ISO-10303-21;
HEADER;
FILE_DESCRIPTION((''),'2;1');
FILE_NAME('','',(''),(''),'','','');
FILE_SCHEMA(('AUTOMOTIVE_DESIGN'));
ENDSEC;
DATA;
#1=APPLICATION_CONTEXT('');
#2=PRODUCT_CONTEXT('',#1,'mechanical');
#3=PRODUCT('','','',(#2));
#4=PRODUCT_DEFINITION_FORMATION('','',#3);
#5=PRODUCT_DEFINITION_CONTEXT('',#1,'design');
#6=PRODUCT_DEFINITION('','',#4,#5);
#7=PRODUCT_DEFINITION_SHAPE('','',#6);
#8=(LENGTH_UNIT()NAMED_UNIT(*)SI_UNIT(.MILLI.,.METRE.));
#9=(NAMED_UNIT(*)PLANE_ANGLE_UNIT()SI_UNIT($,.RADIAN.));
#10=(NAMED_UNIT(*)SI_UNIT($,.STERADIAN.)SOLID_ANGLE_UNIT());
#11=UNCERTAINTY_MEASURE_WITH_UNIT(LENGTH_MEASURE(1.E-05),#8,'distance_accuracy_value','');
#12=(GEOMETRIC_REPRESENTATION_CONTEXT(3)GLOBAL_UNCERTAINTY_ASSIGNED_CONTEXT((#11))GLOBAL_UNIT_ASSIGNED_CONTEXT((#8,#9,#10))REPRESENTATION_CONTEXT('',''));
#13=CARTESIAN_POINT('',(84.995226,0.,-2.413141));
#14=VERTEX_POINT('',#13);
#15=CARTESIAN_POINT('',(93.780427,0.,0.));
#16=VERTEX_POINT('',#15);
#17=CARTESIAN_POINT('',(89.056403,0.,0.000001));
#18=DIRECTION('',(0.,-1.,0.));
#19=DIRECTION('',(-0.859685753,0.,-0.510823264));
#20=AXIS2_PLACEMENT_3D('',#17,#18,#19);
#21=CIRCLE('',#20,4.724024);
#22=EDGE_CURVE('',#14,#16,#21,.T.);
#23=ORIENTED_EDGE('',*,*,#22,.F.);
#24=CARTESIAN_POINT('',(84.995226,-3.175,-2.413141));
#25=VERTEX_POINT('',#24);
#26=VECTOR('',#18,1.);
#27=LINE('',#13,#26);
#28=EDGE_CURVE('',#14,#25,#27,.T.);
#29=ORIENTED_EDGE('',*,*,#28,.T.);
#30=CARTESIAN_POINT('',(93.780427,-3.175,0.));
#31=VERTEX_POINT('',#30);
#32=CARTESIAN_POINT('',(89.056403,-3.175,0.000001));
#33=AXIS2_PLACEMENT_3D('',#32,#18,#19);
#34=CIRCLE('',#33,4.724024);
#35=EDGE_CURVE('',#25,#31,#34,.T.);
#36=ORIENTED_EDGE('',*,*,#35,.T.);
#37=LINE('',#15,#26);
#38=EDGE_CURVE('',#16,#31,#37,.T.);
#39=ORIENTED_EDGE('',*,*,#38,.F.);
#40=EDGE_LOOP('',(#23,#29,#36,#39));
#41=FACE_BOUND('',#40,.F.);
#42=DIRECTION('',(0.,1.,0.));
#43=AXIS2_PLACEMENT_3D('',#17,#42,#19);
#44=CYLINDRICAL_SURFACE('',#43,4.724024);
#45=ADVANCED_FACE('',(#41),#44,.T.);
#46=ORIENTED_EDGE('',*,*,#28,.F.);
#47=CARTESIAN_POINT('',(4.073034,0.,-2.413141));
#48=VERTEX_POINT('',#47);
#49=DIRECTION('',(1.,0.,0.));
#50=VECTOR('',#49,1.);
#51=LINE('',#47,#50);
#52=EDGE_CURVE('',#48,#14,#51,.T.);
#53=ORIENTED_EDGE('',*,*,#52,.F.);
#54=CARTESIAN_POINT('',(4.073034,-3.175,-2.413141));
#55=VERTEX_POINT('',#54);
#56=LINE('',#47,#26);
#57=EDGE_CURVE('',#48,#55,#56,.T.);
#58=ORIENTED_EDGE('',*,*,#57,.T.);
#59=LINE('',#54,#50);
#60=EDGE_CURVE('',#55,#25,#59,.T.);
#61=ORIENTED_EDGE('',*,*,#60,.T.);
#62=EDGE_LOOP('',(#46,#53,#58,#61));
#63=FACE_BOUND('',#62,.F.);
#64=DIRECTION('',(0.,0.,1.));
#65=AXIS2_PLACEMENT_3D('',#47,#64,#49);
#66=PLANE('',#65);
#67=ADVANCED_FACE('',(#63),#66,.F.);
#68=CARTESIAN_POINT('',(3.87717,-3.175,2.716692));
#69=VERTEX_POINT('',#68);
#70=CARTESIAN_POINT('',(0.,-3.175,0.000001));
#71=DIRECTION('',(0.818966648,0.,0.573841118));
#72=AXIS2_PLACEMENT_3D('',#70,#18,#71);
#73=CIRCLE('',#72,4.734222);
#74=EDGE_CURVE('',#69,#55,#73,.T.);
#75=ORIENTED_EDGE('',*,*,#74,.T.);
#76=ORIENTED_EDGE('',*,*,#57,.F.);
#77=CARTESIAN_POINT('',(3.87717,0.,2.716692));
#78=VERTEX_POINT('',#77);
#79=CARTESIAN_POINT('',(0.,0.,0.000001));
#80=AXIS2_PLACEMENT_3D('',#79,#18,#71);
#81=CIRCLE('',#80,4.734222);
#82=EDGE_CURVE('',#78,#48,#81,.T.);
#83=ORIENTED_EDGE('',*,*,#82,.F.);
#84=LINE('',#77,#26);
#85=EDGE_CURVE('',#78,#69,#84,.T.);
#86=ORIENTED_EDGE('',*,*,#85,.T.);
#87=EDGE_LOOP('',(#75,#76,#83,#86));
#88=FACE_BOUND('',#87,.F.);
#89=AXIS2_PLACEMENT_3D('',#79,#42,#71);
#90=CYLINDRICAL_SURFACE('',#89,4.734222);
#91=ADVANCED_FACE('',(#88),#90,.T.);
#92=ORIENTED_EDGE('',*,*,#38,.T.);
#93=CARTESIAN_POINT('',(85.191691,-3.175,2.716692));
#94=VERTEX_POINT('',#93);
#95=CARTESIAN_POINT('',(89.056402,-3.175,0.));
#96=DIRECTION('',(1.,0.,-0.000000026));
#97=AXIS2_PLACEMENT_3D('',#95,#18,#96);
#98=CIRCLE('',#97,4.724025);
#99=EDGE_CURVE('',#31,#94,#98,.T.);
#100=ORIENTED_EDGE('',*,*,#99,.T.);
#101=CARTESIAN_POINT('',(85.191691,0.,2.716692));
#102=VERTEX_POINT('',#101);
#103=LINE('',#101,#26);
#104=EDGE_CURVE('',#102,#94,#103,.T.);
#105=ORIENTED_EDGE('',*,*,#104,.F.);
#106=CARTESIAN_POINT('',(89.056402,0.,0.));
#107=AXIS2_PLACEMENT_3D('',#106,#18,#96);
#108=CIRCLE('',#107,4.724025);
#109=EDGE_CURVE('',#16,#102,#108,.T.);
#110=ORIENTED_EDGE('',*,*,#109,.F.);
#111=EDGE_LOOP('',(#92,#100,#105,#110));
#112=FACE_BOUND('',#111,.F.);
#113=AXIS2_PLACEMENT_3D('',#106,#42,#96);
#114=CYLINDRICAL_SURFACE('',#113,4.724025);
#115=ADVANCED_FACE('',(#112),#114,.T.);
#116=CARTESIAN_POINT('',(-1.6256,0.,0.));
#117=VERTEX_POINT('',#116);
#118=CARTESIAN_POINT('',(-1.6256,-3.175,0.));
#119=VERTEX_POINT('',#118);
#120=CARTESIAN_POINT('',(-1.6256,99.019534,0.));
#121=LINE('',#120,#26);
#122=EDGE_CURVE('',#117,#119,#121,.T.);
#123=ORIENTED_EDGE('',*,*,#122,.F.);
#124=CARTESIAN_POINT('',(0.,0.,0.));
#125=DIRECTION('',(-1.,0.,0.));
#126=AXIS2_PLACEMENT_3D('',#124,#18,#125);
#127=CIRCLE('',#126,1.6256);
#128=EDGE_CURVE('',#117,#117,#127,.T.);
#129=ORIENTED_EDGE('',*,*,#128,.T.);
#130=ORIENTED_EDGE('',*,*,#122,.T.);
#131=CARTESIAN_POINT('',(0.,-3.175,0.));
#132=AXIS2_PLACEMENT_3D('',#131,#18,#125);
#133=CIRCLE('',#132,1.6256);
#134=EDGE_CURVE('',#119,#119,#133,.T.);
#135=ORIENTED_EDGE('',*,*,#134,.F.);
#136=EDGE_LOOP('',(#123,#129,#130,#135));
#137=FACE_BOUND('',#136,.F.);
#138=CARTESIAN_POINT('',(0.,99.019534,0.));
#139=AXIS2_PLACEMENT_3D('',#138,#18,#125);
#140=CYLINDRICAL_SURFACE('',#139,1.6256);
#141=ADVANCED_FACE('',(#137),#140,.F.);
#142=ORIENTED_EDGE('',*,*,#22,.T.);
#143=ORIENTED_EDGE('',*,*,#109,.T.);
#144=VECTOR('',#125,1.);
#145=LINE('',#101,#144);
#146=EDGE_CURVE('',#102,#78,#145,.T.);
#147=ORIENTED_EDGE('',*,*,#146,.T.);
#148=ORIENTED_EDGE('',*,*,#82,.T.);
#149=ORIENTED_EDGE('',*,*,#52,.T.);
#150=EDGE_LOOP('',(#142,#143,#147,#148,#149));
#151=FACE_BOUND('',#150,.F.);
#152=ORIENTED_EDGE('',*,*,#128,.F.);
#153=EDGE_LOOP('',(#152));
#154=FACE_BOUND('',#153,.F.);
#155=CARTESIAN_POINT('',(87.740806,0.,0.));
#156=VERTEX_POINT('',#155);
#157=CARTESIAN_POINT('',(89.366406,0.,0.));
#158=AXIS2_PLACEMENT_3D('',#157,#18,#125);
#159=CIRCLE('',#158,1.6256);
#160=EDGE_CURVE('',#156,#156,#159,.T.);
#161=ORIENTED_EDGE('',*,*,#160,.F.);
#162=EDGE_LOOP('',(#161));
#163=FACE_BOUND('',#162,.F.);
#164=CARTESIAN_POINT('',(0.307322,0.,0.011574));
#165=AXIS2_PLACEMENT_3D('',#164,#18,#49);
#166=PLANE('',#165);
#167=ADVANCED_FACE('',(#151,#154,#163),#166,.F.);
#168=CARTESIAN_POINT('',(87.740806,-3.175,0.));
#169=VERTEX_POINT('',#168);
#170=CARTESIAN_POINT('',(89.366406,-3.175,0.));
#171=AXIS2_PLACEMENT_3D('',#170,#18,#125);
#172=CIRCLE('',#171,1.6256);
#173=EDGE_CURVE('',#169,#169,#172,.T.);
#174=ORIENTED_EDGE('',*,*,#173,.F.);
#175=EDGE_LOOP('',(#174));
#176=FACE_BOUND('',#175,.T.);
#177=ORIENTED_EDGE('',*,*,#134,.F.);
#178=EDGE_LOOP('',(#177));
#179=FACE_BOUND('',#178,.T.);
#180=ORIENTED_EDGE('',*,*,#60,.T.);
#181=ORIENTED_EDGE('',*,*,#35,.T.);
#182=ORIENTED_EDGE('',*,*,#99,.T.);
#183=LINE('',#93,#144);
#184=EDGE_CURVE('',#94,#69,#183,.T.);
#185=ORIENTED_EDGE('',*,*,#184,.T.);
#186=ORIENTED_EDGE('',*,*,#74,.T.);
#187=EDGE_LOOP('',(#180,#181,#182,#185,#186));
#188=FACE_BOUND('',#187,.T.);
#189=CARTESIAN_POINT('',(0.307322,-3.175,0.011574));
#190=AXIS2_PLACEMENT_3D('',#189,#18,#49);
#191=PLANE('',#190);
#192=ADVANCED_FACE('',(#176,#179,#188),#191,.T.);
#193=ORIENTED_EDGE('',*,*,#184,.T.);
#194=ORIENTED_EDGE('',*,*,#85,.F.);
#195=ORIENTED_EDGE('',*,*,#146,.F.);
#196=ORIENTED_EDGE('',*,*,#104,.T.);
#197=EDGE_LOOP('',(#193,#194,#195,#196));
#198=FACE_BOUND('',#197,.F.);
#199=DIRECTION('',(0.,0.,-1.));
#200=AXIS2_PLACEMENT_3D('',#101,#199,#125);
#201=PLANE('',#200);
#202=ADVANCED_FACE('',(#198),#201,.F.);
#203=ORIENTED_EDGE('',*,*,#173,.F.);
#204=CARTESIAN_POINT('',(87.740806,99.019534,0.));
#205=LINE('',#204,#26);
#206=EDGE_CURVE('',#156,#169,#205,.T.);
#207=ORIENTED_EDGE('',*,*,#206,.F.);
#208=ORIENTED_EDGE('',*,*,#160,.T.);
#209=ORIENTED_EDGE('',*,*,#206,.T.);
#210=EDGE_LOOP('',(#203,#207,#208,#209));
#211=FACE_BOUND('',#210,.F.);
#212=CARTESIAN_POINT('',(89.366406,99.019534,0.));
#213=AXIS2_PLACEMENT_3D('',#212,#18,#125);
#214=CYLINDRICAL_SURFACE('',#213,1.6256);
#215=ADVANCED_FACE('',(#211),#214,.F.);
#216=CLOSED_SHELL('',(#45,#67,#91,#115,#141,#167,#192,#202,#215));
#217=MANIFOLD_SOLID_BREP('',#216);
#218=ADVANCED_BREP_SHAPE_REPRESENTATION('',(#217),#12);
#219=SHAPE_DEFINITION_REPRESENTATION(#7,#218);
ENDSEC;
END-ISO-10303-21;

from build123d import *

# Parameters (mm, degrees)
F1_DEPTH = 3.175
F3_D     = 3.2512


with BuildPart() as f1:
    # F0 (on Front) → F1 (new body)
    with BuildSketch(Plane.XZ):
        with BuildLine():
            ThreePointArc((4.073034, -2.413141), (4.565934, -1.251041), (4.734222, 0))
            ThreePointArc((4.734222, 0), (4.514878, 1.424338), (3.87717, 2.716692))
            ThreePointArc((3.87717, 2.716692), (-4.730775, -0.180628), (4.073034, -2.413141))
        make_face()
        with BuildLine():
            ThreePointArc((3.87717, 2.716692), (4.514878, 1.424338), (4.734222, 0))
            ThreePointArc((4.734222, 0), (4.565934, -1.251041), (4.073034, -2.413141))
            Line((4.073034, -2.413141), (84.995226, -2.413141))
            ThreePointArc((84.995226, -2.413141), (84.335839, 0.180791), (85.191691, 2.716692))
            Line((85.191691, 2.716692), (3.87717, 2.716692))
        make_face()
        with BuildLine():
            ThreePointArc((93.780427, 0), (90.481081, 4.504076), (85.191691, 2.716692))
            ThreePointArc((85.191691, 2.716692), (84.335839, 0.180791), (84.995226, -2.413141))
            ThreePointArc((84.995226, -2.413141), (90.307663, -4.555299), (93.780427, 0))
        make_face()
    extrude(amount=F1_DEPTH)

    # F3 (through all)
    with Locations(Plane(origin=(0, 0, 0), x_dir=(1, 0, 0), z_dir=(0, 1, 0))):
        with Locations((0, 0), (89.366406, 0)):
            Hole(F3_D / 2)


solid = f1.part
